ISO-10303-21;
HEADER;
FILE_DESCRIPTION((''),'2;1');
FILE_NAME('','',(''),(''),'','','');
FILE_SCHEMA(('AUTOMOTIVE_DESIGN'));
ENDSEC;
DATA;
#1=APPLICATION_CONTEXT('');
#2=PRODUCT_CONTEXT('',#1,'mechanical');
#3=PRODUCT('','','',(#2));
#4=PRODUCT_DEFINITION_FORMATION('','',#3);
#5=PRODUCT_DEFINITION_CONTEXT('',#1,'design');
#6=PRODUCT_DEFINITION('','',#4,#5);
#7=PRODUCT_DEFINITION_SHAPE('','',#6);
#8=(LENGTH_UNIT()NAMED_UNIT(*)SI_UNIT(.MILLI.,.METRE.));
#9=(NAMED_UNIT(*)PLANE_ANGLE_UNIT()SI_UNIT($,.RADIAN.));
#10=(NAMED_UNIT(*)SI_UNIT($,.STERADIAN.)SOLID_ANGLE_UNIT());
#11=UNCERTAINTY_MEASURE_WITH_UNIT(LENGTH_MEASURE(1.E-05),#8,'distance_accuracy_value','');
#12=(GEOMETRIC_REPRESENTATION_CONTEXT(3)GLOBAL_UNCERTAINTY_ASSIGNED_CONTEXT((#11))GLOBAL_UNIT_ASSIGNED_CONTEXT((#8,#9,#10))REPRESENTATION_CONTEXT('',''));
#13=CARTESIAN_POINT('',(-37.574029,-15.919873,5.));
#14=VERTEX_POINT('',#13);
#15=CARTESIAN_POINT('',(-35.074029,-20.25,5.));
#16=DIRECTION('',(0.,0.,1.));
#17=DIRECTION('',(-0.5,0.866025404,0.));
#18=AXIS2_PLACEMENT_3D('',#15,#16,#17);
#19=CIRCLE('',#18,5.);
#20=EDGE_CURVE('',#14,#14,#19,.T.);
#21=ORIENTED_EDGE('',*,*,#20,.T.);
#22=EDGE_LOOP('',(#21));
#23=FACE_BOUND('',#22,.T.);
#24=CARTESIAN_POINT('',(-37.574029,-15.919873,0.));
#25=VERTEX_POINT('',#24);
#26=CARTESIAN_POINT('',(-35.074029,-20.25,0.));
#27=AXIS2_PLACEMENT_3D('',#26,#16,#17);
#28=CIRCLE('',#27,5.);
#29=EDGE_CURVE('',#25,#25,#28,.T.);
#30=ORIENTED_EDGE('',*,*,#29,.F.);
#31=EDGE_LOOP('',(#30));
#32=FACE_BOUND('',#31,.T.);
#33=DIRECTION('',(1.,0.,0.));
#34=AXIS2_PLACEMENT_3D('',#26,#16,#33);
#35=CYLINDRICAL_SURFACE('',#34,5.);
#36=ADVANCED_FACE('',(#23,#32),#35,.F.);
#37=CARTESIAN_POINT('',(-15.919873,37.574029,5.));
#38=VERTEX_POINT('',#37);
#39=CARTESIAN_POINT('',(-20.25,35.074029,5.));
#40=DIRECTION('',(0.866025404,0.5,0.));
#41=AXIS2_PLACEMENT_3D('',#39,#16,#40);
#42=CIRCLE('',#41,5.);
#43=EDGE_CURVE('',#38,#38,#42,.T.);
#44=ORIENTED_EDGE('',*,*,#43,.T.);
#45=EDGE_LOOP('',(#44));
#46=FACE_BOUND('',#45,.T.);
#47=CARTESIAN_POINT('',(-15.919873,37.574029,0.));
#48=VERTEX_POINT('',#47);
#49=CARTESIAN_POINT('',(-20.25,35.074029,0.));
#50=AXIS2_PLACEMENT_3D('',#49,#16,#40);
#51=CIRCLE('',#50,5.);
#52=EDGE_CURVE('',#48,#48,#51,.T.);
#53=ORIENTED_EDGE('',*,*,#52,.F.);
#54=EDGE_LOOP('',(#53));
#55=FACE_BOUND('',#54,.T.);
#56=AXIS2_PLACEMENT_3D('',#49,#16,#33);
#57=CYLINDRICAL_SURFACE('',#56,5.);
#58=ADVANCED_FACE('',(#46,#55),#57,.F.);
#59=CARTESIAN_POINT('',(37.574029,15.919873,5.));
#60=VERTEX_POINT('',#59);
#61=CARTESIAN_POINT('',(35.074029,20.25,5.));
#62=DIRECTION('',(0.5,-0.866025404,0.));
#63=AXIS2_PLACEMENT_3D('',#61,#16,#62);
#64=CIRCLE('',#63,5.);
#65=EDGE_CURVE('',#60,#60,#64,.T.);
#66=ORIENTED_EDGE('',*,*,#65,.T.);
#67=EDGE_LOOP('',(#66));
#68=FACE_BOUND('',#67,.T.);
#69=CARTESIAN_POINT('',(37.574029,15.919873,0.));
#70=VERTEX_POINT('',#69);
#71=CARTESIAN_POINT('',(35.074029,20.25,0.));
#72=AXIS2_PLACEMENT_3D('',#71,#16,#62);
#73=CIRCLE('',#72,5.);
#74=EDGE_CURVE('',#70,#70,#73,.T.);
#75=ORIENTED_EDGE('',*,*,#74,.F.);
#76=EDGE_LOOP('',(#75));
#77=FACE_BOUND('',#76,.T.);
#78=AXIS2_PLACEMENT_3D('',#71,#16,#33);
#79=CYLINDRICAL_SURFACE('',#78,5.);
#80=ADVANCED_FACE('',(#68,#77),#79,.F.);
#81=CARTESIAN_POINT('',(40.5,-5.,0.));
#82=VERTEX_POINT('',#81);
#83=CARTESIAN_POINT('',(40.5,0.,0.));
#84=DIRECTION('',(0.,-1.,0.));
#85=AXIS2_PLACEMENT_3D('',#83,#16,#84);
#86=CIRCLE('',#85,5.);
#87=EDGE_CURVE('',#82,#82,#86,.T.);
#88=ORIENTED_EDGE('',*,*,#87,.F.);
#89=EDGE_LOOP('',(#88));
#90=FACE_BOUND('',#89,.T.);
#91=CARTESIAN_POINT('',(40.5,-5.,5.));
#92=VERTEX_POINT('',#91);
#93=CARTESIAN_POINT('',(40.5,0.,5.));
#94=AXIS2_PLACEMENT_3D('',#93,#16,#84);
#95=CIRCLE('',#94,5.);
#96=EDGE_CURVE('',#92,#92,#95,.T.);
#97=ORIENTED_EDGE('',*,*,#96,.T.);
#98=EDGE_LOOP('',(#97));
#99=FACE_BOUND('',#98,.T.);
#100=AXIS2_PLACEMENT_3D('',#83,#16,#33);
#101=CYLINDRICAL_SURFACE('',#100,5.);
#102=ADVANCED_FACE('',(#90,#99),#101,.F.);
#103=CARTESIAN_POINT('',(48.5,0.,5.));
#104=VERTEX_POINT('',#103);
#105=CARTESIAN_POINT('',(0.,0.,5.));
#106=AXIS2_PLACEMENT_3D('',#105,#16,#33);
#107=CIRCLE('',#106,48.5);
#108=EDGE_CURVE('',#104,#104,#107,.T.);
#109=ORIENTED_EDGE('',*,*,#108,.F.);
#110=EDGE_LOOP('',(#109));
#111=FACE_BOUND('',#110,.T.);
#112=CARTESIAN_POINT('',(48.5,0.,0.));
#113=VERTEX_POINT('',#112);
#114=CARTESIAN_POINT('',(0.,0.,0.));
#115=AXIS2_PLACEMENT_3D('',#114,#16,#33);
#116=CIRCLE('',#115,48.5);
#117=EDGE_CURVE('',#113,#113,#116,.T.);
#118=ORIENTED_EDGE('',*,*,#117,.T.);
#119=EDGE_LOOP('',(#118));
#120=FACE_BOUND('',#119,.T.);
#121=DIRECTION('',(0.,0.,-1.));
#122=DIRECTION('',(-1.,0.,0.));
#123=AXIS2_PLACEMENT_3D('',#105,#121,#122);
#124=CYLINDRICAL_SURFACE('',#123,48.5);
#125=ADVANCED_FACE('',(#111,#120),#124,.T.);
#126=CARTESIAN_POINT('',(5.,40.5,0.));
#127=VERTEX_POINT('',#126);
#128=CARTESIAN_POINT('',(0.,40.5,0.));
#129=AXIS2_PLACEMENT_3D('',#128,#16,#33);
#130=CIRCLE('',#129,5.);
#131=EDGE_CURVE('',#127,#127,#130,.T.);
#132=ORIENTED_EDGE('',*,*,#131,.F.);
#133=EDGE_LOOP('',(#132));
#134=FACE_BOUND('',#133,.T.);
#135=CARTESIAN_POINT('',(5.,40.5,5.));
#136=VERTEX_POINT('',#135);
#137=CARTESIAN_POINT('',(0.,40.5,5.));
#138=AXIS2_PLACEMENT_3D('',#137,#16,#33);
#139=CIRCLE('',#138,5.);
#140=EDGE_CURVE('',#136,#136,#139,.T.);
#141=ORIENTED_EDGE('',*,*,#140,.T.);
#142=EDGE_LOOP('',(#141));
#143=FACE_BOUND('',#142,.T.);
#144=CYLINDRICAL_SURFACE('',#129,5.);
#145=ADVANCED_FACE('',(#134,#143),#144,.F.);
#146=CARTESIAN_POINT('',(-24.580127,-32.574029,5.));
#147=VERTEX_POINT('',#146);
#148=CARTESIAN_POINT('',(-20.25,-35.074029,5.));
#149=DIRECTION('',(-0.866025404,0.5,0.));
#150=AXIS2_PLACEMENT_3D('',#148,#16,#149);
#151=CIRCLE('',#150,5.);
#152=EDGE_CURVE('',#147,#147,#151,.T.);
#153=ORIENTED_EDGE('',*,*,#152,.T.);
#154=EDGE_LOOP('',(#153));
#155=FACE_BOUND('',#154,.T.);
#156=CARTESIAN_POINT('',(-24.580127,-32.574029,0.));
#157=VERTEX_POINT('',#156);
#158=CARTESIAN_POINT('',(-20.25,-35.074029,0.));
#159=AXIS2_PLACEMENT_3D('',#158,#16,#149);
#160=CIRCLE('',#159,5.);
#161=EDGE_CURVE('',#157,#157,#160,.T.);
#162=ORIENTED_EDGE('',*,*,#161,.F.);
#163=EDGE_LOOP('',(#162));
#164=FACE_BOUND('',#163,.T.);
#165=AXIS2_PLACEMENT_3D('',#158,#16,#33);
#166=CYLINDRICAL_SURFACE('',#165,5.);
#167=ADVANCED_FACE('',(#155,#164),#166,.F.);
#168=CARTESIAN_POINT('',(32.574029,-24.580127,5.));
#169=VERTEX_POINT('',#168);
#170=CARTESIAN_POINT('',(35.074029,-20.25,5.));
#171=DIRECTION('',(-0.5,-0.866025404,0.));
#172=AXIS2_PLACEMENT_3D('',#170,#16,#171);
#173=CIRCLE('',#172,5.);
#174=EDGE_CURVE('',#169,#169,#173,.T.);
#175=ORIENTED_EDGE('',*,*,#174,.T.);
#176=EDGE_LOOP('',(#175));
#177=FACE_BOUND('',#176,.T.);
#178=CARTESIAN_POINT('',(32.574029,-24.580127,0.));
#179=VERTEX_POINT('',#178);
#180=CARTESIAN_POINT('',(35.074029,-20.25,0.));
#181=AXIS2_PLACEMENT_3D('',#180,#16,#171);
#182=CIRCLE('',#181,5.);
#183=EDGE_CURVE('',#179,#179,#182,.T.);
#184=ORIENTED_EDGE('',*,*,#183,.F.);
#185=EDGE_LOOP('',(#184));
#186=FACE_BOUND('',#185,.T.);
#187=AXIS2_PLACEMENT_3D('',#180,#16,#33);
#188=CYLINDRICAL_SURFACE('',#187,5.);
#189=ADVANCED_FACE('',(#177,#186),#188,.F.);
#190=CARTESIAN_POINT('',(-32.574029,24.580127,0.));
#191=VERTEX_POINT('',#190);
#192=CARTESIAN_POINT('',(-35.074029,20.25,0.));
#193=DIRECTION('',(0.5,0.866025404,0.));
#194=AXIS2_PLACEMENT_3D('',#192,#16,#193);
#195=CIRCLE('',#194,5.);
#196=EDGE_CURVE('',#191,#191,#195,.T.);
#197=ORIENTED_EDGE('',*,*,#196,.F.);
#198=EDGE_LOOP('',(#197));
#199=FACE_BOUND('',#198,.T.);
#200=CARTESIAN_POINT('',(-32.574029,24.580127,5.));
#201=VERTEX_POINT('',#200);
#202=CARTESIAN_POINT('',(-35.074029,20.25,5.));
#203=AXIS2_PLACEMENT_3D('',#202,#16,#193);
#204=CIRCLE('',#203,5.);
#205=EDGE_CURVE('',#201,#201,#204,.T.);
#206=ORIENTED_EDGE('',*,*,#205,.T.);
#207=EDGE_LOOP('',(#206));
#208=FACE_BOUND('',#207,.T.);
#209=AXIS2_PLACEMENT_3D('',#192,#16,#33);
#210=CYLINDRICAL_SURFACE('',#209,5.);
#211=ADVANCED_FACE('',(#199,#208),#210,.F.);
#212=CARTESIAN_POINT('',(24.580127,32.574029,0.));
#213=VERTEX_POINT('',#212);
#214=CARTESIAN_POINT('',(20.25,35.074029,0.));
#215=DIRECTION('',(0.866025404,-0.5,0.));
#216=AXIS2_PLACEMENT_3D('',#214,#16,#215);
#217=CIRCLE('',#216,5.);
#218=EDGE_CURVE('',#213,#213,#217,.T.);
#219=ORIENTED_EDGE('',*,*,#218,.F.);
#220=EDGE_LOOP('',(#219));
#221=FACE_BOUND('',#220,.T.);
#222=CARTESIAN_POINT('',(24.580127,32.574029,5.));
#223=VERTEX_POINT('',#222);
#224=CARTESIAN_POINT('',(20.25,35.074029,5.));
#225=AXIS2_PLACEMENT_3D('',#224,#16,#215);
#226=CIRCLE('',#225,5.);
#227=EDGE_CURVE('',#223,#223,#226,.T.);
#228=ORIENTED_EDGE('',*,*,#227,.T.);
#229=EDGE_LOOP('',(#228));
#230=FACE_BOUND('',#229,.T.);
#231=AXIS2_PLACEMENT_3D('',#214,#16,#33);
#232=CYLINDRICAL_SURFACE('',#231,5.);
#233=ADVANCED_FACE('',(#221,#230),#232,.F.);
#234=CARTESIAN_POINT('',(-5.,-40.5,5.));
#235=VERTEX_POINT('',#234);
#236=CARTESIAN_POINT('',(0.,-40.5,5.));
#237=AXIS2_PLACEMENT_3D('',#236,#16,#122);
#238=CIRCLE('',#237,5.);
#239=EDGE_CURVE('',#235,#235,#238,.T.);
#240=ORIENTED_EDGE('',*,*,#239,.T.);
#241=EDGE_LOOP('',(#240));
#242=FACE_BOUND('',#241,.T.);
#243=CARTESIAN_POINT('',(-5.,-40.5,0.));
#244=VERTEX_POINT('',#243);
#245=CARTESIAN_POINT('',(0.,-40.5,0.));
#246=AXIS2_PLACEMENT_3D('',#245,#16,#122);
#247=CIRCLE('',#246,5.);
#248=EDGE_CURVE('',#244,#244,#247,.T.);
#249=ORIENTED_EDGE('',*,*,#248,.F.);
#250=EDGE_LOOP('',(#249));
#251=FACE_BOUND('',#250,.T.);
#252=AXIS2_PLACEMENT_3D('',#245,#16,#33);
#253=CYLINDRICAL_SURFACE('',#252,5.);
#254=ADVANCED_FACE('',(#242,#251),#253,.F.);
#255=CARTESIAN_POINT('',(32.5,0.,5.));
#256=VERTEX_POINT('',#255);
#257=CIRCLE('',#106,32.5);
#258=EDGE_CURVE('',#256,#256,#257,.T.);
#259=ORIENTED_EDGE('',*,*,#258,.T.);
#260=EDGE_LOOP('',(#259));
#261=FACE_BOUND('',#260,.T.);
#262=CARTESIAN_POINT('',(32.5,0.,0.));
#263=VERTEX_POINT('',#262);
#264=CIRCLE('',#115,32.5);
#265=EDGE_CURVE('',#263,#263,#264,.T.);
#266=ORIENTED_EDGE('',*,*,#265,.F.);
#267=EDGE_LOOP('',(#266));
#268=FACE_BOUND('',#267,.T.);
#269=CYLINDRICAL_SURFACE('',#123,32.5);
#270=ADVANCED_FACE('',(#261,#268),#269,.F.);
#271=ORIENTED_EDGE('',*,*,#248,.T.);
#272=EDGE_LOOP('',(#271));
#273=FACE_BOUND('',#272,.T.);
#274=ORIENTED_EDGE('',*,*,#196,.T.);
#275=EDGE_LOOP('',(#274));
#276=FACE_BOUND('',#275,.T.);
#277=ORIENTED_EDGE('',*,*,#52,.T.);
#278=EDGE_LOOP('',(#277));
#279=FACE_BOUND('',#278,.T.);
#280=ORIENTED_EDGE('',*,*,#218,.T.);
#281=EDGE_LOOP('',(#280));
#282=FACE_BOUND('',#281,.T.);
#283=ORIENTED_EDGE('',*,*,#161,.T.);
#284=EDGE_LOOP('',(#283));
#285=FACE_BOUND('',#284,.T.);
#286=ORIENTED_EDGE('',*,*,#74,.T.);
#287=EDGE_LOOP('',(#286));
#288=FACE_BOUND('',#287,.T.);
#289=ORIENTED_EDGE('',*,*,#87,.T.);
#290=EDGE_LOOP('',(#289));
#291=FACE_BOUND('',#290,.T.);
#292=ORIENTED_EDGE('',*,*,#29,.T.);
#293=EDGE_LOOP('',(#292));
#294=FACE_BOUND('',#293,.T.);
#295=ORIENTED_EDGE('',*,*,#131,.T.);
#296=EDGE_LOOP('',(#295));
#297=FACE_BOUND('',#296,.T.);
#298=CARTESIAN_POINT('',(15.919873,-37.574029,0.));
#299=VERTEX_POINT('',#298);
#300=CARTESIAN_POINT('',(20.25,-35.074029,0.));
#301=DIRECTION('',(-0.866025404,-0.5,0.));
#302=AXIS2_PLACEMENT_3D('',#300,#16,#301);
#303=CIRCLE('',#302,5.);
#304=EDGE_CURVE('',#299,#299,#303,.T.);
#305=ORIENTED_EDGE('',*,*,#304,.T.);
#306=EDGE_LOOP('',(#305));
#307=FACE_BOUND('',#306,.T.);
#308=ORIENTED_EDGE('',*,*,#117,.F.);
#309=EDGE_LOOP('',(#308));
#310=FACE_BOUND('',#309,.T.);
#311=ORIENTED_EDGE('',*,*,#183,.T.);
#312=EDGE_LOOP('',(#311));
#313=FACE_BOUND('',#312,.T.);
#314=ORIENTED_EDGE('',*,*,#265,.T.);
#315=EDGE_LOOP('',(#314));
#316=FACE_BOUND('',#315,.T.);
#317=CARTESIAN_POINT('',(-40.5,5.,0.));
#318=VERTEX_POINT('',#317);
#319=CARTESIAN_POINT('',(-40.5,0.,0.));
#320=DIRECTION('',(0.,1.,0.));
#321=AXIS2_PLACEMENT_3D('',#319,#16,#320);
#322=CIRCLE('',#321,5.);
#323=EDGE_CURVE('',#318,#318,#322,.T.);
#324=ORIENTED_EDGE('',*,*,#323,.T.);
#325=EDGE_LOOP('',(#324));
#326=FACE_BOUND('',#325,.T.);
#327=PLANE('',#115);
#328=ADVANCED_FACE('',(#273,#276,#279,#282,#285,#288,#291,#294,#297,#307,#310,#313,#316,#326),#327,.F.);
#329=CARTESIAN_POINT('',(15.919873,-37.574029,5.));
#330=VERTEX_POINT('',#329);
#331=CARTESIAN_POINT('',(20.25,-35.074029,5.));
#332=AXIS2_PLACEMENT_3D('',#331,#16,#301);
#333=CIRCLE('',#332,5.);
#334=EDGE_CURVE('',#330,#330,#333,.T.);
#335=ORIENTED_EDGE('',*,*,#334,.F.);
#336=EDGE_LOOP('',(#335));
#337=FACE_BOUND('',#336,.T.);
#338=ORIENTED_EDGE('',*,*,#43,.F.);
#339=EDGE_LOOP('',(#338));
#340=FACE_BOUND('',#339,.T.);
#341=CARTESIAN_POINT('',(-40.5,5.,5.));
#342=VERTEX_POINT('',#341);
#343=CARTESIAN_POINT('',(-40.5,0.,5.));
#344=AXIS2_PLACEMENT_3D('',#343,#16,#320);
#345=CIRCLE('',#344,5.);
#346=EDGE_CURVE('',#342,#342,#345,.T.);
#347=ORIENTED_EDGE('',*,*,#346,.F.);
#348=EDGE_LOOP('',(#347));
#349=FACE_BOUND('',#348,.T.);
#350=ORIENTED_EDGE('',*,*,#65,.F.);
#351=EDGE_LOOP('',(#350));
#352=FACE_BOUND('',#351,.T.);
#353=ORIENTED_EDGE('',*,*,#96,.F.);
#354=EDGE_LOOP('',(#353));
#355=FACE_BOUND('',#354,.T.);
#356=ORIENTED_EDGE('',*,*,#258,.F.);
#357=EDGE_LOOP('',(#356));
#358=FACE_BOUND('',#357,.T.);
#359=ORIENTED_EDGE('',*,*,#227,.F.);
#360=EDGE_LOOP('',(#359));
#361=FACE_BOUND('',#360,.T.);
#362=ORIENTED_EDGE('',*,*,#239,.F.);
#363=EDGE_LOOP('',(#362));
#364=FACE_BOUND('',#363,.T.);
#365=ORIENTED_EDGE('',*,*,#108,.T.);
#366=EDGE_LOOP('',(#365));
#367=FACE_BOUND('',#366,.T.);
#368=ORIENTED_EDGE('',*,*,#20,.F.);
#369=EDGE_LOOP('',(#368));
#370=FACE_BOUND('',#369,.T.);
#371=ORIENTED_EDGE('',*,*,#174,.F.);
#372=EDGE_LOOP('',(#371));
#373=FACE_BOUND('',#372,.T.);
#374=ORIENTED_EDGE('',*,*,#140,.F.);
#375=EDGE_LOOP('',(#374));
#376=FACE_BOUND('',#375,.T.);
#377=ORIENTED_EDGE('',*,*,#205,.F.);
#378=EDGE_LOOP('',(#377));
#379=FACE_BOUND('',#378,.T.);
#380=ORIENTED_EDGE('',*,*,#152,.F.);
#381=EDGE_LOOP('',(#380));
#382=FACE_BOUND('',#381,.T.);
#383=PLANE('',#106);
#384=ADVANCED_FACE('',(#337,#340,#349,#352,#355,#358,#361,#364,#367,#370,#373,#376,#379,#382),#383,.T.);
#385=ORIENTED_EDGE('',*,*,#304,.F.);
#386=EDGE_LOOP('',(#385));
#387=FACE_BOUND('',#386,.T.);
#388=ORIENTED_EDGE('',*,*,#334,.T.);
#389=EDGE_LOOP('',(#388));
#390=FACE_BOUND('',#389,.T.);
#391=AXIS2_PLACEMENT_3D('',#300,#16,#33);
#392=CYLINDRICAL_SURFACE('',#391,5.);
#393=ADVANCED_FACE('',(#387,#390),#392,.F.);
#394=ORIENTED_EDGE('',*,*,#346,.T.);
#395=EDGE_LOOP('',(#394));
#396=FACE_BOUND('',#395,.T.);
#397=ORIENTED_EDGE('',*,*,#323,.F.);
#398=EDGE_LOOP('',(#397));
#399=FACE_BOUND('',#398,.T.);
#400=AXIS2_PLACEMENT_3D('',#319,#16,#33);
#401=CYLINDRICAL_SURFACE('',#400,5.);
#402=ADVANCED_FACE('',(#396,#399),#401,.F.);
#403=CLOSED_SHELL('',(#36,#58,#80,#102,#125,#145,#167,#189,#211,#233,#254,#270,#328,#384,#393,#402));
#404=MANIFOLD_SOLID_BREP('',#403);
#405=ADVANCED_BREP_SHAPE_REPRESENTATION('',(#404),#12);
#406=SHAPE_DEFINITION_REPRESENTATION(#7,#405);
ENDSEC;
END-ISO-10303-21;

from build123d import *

# Parameters (mm, degrees)
SKETCH1_R         = 48.5
SKETCH1_R_2       = 32.5
BODY_DEPTH        = 5
SKETCH2_R         = 5
BOLT_HOLE_DEPTH   = 69.771360318
CIRPATTERN1_COUNT = 12


with BuildPart() as part:
    # Sketch1 → Body (new body)
    with BuildSketch(Plane.XY):
        Circle(SKETCH1_R)
        Circle(SKETCH1_R_2, mode=Mode.SUBTRACT)
    extrude(amount=BODY_DEPTH)

    # Sketch2 → Bolt Hole (cut, through all)
    with BuildSketch(Plane.XY.offset(5)):
        with Locations((0, 40.5)):
            Circle(SKETCH2_R)
    bolt_hole = extrude(amount=-BOLT_HOLE_DEPTH, mode=Mode.SUBTRACT)

    # CirPattern1: Bolt Hole ×12 about axis
    cirpattern1_axis = Axis((0, 0, 0), (0, 0, 1))
    for i in range(1, CIRPATTERN1_COUNT):
        add(bolt_hole.rotate(cirpattern1_axis, i * 360 / CIRPATTERN1_COUNT), mode=Mode.SUBTRACT)


solid = part.part
